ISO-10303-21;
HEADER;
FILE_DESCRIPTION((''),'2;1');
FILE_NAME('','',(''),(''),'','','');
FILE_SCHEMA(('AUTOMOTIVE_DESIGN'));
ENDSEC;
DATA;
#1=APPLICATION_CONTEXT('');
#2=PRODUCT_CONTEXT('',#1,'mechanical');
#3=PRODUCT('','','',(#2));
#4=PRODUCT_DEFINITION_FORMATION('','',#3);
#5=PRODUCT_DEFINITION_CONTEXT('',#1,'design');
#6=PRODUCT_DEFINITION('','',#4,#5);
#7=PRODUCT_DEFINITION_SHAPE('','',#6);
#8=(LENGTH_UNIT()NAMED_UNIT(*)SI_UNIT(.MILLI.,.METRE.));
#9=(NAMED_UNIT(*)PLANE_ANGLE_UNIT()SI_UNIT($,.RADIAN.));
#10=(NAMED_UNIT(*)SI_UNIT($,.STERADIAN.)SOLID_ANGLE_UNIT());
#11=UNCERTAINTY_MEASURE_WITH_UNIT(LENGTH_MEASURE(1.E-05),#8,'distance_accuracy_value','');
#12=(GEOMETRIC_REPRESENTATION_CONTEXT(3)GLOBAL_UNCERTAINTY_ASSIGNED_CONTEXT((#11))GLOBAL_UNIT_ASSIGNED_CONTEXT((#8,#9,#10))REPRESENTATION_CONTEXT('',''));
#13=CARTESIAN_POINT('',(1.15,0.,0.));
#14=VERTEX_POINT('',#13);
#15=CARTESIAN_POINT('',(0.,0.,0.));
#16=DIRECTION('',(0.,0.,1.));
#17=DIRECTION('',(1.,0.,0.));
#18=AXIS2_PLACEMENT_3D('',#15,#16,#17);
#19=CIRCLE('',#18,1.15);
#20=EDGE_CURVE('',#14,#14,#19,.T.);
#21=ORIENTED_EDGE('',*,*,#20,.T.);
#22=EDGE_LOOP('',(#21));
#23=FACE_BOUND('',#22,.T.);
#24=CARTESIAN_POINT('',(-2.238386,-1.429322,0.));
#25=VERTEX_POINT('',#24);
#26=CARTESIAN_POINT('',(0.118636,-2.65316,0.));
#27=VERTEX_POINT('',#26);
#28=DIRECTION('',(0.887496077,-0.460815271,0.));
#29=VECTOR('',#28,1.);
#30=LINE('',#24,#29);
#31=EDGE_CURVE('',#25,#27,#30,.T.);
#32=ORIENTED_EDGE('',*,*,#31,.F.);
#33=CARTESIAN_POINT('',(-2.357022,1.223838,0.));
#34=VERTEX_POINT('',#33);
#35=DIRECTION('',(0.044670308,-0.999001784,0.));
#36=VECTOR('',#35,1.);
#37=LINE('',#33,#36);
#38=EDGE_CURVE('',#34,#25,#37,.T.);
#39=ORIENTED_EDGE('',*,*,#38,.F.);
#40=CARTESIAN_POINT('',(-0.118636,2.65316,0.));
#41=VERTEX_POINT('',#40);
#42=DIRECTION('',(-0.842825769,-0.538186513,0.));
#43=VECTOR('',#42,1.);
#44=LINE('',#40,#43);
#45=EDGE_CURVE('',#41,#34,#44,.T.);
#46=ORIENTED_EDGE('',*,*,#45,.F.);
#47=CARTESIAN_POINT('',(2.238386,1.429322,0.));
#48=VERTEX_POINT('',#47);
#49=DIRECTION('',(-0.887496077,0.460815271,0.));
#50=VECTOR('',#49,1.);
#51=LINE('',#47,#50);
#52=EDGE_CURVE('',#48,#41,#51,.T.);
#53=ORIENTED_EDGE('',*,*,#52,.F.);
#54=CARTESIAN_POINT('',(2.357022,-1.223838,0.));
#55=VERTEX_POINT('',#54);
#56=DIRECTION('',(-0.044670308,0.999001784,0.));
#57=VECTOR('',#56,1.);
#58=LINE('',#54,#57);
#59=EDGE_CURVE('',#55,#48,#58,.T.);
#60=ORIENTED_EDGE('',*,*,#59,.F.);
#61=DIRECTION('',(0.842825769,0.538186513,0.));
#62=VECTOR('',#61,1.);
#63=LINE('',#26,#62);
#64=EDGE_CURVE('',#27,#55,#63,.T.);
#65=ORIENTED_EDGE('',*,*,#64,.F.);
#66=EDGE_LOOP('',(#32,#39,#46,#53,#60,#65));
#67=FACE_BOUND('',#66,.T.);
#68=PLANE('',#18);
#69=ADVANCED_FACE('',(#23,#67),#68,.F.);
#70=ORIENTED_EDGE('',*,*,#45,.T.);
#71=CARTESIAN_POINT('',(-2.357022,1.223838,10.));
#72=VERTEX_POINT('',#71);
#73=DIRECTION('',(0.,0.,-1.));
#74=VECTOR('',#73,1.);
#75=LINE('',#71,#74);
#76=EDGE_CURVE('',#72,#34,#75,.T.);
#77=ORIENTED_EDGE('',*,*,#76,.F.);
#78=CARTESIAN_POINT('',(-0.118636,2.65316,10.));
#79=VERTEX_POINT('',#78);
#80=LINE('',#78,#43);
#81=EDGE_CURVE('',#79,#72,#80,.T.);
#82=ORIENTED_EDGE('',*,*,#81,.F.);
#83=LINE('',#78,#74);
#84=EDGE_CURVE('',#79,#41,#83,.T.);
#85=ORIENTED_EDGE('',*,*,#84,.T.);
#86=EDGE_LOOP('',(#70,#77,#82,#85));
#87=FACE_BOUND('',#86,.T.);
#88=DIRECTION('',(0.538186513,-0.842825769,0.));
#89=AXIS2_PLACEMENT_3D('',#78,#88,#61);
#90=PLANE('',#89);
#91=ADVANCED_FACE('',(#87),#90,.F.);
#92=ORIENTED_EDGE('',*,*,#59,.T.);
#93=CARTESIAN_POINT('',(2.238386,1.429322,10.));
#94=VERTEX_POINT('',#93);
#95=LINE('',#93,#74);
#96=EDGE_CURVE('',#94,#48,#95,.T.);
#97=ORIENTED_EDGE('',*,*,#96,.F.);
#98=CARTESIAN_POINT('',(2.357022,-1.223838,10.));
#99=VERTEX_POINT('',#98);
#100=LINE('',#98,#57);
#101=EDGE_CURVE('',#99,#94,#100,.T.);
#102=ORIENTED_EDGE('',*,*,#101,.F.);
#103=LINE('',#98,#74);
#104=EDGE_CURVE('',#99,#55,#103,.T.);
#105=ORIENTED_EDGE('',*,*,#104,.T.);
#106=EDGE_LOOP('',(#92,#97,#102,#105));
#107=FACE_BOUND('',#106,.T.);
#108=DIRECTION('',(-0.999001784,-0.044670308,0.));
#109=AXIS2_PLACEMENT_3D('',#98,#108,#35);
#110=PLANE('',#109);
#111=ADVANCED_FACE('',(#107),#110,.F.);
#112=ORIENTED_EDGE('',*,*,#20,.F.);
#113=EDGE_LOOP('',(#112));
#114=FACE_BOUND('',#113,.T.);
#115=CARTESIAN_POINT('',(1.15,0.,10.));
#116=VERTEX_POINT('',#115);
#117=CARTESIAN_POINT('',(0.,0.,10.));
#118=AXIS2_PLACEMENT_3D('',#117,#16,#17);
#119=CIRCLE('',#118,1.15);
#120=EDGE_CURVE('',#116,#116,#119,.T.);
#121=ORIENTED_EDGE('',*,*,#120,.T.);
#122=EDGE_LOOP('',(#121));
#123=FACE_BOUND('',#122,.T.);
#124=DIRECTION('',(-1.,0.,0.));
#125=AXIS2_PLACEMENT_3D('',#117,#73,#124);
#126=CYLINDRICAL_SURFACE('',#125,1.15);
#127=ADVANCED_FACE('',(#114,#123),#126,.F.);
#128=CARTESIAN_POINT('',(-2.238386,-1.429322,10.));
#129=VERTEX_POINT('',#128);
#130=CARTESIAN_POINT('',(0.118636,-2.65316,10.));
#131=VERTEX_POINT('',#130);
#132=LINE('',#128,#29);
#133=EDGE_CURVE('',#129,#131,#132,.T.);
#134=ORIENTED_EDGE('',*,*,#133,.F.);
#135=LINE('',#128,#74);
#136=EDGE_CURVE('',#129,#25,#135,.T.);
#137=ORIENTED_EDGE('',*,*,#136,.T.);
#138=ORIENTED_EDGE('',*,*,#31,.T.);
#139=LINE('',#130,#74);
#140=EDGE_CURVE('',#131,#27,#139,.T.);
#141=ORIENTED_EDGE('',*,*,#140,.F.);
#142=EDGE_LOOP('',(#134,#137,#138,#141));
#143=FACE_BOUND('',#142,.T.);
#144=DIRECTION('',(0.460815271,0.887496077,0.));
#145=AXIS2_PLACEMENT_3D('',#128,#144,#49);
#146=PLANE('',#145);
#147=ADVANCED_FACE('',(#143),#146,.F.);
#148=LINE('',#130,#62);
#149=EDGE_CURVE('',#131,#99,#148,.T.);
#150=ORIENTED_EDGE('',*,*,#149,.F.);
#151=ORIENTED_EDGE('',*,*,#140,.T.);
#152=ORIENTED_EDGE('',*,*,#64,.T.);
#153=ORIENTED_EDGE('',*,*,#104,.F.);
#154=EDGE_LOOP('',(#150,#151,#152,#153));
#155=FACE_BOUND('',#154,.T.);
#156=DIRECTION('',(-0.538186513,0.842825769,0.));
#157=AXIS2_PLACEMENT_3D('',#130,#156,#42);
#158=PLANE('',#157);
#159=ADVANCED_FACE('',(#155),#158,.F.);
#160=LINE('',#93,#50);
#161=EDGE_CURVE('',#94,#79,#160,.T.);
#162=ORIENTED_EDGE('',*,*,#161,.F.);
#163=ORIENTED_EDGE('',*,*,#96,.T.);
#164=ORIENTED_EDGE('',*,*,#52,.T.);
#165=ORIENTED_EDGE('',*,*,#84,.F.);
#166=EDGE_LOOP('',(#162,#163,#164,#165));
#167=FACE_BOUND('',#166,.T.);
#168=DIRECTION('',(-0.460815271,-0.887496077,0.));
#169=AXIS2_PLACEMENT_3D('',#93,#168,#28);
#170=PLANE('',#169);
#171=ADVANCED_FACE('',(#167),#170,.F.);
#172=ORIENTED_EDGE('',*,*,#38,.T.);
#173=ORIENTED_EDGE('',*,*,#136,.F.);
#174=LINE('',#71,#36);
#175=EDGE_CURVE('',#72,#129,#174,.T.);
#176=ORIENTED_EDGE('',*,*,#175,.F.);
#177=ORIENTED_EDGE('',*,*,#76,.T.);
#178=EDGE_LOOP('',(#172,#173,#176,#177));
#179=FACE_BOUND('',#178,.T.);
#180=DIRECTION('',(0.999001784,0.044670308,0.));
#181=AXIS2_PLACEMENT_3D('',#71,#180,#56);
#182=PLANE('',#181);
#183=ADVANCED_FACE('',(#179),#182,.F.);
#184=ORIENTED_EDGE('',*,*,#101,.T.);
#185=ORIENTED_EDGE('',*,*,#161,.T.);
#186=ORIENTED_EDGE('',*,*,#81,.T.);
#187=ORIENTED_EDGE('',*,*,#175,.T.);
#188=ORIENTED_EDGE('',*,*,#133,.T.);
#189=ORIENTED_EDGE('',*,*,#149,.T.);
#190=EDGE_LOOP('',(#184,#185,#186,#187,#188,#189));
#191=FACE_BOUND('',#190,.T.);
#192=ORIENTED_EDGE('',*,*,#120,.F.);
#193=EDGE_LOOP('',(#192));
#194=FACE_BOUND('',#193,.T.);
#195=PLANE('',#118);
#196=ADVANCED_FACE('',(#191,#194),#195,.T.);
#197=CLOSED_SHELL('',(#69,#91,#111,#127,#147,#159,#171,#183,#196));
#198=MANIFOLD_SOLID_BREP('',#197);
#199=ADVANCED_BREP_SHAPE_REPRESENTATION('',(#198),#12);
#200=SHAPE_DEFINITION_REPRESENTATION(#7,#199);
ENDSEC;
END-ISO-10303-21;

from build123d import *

# Parameters (mm, degrees)
SKETCH1_R           = 1.15
BOSS_EXTRUDE1_DEPTH = 10


with BuildPart() as part:
    # Sketch1 → Boss-Extrude1 (new body)
    with BuildSketch(Plane.XY):
        Polygon((2.357022055, -1.223838375), (2.23838615, 1.429321789), (-0.118635905, 2.653160164), (-2.357022055, 1.223838375), (-2.23838615, -1.429321789), (0.118635905, -2.653160164), align=None)
        Circle(SKETCH1_R, mode=Mode.SUBTRACT)
    extrude(amount=BOSS_EXTRUDE1_DEPTH)


solid = part.part
